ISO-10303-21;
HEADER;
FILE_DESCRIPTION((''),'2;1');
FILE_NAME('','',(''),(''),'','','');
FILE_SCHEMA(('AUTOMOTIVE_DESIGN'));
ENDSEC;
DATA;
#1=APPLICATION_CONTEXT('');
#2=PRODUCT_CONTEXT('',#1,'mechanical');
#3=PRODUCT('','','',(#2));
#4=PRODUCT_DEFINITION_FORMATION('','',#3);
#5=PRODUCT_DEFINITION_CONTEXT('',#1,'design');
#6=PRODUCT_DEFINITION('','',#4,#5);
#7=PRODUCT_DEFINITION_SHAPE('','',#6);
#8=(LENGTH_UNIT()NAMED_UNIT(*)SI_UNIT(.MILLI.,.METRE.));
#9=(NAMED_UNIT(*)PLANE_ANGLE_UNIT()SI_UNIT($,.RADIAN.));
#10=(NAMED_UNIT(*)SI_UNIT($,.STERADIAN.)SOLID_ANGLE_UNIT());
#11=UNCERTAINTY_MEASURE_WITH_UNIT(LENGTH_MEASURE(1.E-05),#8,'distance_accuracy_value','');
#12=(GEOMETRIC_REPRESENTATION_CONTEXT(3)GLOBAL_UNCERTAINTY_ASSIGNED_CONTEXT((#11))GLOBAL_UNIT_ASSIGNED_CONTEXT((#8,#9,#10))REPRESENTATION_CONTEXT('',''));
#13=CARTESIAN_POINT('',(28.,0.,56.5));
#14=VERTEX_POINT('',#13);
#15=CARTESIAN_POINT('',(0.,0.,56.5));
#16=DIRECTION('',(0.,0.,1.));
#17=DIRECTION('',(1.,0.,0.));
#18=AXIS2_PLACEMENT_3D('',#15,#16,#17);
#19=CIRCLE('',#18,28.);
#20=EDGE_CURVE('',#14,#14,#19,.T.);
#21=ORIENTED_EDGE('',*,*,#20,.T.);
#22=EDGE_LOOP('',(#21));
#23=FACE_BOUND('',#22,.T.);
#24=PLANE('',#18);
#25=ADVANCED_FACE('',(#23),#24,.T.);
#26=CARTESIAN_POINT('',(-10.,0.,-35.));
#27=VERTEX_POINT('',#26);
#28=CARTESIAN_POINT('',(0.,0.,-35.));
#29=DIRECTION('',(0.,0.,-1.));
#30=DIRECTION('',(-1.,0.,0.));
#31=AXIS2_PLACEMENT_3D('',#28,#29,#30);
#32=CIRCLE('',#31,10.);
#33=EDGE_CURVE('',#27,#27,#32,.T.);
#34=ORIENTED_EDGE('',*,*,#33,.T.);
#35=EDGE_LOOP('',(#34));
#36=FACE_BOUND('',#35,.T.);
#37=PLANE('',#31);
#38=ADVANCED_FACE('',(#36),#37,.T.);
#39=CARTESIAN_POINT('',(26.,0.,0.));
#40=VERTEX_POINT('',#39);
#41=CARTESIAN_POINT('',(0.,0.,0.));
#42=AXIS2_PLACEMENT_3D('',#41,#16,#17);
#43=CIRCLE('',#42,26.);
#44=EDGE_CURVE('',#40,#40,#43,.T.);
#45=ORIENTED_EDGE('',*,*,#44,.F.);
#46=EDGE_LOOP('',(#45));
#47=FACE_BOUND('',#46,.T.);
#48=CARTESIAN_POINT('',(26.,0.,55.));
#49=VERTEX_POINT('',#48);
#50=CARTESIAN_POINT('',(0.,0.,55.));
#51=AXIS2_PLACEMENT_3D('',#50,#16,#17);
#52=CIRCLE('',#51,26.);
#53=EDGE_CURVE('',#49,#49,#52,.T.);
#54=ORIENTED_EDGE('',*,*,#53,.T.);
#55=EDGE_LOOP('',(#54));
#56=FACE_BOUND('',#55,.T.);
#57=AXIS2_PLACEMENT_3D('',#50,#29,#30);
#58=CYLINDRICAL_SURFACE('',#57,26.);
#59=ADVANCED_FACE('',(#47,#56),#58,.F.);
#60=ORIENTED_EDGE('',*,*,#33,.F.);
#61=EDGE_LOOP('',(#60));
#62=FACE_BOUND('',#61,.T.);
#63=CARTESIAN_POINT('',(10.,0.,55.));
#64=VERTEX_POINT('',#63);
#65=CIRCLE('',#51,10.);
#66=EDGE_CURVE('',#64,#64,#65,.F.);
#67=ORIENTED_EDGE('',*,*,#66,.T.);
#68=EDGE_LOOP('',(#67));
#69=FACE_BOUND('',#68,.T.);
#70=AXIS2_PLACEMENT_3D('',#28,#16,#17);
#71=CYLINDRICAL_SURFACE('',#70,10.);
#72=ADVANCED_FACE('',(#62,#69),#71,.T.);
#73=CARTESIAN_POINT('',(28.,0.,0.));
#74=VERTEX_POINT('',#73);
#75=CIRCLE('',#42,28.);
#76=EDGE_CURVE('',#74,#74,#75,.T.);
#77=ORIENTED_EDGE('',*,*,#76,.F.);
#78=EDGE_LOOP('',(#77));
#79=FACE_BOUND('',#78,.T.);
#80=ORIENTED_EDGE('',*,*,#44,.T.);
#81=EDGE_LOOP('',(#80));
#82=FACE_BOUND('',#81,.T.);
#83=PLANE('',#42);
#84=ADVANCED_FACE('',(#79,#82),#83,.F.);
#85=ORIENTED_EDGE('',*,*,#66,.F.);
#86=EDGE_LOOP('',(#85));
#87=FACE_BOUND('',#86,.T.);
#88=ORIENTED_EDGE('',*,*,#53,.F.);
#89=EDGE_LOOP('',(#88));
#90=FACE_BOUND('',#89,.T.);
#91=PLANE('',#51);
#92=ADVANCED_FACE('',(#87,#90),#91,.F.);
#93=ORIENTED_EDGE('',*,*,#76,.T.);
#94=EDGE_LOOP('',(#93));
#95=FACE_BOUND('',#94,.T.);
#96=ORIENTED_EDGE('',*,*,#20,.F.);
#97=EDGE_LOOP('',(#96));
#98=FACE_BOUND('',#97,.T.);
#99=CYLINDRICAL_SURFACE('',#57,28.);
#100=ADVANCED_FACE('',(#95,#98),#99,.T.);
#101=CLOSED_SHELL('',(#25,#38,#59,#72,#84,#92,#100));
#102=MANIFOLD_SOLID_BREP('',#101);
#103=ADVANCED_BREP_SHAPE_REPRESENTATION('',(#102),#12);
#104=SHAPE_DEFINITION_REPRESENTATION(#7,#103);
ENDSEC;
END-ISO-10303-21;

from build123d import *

# Parameters (mm, degrees)
SKETCH1_R           = 28
SKETCH1_R_2         = 26
BOSS_EXTRUDE1_DEPTH = 55
SKETCH2_R           = 28
BOSS_EXTRUDE2_DEPTH = 1.5
SKETCH3_R           = 10
BOSS_EXTRUDE3_DEPTH = 90


with BuildPart() as part:
    # Sketch1 → Boss-Extrude1 (new body)
    with BuildSketch(Plane.XY):
        Circle(SKETCH1_R)
        Circle(SKETCH1_R_2, mode=Mode.SUBTRACT)
    extrude(amount=BOSS_EXTRUDE1_DEPTH)

    # Sketch2 → Boss-Extrude2 (add)
    with BuildSketch(Plane.XY.offset(55)):
        Circle(SKETCH2_R)
    extrude(amount=BOSS_EXTRUDE2_DEPTH)

    # Sketch3 → Boss-Extrude3 (add)
    with BuildSketch(Plane(origin=(0, 0, 55), x_dir=(-1, 0, 0), z_dir=(0, 0, -1))):
        Circle(SKETCH3_R)
    extrude(amount=BOSS_EXTRUDE3_DEPTH)


solid = part.part
